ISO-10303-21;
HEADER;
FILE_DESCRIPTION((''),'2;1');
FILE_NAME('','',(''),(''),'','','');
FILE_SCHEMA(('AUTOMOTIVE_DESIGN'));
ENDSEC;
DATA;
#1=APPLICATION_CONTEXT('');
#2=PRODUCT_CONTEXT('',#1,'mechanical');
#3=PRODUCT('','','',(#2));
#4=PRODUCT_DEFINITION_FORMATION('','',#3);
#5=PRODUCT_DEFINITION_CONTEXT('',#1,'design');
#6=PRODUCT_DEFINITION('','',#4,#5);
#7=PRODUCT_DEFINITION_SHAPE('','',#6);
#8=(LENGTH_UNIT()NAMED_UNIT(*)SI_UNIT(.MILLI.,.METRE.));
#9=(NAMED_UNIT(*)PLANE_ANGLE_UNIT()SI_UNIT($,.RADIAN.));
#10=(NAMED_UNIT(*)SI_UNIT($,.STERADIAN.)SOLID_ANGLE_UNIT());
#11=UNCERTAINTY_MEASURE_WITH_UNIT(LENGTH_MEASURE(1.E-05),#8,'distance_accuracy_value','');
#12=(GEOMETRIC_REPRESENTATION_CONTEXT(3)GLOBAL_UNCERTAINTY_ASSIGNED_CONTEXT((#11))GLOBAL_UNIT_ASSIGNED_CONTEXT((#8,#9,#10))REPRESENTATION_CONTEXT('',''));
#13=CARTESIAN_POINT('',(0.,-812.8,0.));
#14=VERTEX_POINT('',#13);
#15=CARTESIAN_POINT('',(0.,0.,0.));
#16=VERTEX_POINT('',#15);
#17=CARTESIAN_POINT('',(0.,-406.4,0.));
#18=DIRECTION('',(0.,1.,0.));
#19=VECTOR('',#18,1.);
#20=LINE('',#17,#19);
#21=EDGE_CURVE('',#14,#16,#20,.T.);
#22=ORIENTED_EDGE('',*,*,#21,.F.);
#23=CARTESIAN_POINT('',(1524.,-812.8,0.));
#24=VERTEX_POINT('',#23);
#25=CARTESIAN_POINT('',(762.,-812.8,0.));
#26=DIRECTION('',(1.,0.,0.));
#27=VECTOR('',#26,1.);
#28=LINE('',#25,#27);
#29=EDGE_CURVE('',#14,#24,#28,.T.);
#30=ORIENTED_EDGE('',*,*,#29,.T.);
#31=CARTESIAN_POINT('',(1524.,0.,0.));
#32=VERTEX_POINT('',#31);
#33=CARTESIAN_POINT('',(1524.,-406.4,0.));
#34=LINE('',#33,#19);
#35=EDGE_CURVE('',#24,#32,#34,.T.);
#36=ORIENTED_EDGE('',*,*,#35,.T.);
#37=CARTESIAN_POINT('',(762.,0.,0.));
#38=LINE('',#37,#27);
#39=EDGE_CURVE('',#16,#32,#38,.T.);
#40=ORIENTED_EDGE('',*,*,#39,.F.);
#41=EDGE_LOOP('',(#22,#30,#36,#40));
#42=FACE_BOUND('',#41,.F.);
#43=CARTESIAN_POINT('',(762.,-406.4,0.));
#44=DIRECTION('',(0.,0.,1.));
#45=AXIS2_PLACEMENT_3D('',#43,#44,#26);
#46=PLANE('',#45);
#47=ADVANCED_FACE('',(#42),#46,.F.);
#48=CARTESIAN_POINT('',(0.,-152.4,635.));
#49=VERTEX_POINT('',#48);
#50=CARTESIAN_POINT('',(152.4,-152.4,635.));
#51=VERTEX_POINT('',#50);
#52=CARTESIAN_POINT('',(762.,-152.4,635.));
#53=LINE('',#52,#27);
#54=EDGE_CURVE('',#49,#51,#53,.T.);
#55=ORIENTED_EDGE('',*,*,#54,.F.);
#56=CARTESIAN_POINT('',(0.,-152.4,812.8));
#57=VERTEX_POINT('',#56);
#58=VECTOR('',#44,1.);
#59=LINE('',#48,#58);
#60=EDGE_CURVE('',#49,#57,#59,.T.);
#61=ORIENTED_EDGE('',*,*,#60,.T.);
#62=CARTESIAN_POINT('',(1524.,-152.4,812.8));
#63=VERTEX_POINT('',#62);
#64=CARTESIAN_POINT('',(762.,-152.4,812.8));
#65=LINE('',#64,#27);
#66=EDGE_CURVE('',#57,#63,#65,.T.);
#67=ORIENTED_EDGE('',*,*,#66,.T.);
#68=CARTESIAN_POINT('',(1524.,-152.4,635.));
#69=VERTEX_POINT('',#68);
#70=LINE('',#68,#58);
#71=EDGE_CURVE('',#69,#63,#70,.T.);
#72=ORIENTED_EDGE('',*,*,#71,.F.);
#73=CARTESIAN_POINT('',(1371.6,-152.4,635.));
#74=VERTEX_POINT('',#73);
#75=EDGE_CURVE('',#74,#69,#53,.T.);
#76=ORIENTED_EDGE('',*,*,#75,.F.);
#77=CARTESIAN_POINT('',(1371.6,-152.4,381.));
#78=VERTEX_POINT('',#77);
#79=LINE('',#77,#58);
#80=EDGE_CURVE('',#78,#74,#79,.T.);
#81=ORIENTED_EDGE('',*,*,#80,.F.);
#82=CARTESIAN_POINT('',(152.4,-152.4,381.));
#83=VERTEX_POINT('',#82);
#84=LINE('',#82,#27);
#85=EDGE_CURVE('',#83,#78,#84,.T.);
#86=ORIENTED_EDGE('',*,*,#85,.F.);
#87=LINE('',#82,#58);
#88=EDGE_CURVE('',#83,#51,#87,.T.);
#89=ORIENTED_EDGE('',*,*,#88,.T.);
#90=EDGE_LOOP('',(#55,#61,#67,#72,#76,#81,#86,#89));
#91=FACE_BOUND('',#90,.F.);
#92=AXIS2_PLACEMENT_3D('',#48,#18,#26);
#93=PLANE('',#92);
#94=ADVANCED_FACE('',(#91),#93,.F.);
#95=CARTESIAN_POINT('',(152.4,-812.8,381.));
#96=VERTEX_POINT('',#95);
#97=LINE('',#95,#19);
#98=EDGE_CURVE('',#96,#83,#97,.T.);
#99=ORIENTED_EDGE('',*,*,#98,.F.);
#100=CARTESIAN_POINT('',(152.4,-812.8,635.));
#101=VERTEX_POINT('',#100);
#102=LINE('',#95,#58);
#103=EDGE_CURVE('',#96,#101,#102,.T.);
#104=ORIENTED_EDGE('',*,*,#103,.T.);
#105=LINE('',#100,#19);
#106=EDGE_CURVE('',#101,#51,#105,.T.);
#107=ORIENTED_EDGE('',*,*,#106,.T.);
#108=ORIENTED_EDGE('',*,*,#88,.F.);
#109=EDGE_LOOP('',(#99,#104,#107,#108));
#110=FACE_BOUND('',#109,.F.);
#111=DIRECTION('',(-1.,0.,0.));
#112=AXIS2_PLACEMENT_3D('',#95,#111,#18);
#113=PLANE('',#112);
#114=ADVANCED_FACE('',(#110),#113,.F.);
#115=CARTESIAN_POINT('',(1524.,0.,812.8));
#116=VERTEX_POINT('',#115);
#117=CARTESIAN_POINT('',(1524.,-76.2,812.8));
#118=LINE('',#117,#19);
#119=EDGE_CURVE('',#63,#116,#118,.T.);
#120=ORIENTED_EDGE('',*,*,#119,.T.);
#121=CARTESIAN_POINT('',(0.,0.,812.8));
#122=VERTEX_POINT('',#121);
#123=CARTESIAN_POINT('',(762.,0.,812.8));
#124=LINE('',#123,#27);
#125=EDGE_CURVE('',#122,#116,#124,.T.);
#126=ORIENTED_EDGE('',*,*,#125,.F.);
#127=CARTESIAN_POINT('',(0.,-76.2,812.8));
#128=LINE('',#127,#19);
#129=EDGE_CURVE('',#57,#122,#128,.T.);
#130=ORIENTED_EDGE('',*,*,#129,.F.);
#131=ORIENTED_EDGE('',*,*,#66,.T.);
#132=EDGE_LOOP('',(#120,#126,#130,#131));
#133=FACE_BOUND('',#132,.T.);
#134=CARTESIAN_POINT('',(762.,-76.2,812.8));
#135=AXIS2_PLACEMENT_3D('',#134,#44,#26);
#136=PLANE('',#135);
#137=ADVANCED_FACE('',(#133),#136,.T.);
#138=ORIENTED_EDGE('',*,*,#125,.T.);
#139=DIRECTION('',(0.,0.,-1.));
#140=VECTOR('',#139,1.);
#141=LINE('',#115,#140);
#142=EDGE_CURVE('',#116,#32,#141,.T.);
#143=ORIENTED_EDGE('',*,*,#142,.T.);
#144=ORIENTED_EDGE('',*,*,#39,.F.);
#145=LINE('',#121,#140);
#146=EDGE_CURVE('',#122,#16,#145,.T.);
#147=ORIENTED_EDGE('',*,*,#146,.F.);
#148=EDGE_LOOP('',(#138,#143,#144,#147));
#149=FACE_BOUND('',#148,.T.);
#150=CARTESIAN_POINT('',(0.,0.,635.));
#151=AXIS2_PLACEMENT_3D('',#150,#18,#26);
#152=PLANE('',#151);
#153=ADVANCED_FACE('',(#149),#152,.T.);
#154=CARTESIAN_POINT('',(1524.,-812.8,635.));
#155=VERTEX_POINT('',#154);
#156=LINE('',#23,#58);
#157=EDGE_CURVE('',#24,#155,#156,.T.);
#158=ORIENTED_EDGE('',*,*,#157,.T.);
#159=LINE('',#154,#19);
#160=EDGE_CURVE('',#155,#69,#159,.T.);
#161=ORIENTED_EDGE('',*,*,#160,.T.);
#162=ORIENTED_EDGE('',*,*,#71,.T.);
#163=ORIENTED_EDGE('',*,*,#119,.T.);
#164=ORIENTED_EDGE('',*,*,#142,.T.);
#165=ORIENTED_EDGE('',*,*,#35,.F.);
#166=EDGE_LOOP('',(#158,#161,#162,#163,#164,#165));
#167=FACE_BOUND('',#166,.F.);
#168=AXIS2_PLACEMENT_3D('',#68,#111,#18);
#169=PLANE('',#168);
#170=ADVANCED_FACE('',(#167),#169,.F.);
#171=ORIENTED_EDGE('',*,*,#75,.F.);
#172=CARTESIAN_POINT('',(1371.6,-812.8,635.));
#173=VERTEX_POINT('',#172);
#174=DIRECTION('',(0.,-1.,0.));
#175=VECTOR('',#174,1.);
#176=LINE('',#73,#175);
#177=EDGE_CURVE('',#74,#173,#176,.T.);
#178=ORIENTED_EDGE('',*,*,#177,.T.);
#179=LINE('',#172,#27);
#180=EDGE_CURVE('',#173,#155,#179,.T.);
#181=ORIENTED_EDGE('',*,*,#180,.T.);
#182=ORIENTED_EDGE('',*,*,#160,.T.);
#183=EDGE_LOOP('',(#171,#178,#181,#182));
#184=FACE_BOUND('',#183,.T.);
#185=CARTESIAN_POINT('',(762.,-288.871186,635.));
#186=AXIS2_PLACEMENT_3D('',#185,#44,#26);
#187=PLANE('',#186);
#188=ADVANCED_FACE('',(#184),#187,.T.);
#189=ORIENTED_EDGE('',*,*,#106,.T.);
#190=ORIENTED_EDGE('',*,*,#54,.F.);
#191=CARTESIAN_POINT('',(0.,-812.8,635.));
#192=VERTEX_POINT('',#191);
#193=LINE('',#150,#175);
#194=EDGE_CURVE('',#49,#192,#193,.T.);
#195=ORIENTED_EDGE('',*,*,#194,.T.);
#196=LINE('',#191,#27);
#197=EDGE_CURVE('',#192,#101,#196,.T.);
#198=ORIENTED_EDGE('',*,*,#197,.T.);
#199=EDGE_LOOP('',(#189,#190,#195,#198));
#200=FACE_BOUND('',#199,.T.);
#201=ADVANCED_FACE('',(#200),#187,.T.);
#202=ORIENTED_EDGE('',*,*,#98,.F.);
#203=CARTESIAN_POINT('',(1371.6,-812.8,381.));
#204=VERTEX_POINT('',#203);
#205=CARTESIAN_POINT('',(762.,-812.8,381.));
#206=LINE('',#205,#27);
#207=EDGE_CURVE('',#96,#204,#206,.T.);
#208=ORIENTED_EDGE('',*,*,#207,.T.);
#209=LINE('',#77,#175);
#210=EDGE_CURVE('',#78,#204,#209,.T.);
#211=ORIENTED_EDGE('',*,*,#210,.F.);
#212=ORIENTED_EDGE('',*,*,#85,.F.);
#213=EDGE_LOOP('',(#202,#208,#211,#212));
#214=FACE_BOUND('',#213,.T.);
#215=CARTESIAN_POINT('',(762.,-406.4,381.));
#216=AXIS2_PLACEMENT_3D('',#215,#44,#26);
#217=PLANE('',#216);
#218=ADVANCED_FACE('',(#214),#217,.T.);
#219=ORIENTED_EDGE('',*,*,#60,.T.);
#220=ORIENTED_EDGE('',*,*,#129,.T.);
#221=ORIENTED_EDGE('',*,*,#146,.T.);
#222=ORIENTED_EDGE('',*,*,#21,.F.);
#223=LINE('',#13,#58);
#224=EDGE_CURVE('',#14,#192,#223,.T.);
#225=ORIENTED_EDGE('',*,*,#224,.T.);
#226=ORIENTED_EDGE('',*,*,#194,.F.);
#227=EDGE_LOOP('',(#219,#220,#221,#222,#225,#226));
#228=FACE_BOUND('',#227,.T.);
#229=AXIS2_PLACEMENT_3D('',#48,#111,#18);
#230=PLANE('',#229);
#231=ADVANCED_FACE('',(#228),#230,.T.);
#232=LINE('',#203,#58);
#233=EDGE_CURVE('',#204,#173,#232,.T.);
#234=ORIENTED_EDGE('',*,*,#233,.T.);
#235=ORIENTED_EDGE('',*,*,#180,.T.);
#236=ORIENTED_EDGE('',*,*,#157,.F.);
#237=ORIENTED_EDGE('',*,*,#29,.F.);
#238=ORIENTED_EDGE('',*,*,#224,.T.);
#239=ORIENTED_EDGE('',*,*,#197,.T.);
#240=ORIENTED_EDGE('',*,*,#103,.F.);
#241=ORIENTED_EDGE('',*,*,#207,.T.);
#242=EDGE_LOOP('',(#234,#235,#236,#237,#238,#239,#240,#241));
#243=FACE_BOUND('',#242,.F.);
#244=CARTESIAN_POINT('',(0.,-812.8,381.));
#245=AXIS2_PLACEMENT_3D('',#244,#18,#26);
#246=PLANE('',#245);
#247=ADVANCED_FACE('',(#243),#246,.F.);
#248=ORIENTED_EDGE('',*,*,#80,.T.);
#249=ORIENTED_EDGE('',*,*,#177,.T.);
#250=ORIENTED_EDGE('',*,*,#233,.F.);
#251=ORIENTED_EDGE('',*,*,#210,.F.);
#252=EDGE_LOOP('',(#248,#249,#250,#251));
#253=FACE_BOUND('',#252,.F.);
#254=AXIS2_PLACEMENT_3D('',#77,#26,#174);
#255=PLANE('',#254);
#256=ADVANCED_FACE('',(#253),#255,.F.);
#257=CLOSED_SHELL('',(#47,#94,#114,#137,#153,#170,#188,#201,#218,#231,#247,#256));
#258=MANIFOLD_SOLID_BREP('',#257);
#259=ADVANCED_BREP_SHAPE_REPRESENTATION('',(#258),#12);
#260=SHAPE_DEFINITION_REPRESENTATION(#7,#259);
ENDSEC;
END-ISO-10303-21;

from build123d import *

# Parameters (mm, degrees)
F0_W     = 1524
F0_H     = 812.8
F1_DEPTH = 381
F3_DEPTH = 254
F4_W     = 1524
F4_H     = 152.4
F5_DEPTH = 177.8


with BuildPart() as f1:
    # F0 (on Top) → F1 (new body)
    with BuildSketch(Plane.XY):
        with Locations((762, -406.4)):
            Rectangle(F0_W, F0_H)
    extrude(amount=F1_DEPTH)

    # F2 (on face) → F3 (join)
    with BuildSketch(Plane.XY.offset(381)):
        Polygon((0, 0), (0, -812.8), (152.4, -812.8), (152.4, -152.4), (1371.6, -152.4), (1371.6, -812.8), (1524, -812.8), (1524, 0), align=None)
    extrude(amount=F3_DEPTH)

    # F4 (on face) → F5 (join)
    with BuildSketch(Plane.XY.offset(635)):
        with Locations((762, -76.2)):
            Rectangle(F4_W, F4_H)
    extrude(amount=F5_DEPTH)


solid = f1.part
